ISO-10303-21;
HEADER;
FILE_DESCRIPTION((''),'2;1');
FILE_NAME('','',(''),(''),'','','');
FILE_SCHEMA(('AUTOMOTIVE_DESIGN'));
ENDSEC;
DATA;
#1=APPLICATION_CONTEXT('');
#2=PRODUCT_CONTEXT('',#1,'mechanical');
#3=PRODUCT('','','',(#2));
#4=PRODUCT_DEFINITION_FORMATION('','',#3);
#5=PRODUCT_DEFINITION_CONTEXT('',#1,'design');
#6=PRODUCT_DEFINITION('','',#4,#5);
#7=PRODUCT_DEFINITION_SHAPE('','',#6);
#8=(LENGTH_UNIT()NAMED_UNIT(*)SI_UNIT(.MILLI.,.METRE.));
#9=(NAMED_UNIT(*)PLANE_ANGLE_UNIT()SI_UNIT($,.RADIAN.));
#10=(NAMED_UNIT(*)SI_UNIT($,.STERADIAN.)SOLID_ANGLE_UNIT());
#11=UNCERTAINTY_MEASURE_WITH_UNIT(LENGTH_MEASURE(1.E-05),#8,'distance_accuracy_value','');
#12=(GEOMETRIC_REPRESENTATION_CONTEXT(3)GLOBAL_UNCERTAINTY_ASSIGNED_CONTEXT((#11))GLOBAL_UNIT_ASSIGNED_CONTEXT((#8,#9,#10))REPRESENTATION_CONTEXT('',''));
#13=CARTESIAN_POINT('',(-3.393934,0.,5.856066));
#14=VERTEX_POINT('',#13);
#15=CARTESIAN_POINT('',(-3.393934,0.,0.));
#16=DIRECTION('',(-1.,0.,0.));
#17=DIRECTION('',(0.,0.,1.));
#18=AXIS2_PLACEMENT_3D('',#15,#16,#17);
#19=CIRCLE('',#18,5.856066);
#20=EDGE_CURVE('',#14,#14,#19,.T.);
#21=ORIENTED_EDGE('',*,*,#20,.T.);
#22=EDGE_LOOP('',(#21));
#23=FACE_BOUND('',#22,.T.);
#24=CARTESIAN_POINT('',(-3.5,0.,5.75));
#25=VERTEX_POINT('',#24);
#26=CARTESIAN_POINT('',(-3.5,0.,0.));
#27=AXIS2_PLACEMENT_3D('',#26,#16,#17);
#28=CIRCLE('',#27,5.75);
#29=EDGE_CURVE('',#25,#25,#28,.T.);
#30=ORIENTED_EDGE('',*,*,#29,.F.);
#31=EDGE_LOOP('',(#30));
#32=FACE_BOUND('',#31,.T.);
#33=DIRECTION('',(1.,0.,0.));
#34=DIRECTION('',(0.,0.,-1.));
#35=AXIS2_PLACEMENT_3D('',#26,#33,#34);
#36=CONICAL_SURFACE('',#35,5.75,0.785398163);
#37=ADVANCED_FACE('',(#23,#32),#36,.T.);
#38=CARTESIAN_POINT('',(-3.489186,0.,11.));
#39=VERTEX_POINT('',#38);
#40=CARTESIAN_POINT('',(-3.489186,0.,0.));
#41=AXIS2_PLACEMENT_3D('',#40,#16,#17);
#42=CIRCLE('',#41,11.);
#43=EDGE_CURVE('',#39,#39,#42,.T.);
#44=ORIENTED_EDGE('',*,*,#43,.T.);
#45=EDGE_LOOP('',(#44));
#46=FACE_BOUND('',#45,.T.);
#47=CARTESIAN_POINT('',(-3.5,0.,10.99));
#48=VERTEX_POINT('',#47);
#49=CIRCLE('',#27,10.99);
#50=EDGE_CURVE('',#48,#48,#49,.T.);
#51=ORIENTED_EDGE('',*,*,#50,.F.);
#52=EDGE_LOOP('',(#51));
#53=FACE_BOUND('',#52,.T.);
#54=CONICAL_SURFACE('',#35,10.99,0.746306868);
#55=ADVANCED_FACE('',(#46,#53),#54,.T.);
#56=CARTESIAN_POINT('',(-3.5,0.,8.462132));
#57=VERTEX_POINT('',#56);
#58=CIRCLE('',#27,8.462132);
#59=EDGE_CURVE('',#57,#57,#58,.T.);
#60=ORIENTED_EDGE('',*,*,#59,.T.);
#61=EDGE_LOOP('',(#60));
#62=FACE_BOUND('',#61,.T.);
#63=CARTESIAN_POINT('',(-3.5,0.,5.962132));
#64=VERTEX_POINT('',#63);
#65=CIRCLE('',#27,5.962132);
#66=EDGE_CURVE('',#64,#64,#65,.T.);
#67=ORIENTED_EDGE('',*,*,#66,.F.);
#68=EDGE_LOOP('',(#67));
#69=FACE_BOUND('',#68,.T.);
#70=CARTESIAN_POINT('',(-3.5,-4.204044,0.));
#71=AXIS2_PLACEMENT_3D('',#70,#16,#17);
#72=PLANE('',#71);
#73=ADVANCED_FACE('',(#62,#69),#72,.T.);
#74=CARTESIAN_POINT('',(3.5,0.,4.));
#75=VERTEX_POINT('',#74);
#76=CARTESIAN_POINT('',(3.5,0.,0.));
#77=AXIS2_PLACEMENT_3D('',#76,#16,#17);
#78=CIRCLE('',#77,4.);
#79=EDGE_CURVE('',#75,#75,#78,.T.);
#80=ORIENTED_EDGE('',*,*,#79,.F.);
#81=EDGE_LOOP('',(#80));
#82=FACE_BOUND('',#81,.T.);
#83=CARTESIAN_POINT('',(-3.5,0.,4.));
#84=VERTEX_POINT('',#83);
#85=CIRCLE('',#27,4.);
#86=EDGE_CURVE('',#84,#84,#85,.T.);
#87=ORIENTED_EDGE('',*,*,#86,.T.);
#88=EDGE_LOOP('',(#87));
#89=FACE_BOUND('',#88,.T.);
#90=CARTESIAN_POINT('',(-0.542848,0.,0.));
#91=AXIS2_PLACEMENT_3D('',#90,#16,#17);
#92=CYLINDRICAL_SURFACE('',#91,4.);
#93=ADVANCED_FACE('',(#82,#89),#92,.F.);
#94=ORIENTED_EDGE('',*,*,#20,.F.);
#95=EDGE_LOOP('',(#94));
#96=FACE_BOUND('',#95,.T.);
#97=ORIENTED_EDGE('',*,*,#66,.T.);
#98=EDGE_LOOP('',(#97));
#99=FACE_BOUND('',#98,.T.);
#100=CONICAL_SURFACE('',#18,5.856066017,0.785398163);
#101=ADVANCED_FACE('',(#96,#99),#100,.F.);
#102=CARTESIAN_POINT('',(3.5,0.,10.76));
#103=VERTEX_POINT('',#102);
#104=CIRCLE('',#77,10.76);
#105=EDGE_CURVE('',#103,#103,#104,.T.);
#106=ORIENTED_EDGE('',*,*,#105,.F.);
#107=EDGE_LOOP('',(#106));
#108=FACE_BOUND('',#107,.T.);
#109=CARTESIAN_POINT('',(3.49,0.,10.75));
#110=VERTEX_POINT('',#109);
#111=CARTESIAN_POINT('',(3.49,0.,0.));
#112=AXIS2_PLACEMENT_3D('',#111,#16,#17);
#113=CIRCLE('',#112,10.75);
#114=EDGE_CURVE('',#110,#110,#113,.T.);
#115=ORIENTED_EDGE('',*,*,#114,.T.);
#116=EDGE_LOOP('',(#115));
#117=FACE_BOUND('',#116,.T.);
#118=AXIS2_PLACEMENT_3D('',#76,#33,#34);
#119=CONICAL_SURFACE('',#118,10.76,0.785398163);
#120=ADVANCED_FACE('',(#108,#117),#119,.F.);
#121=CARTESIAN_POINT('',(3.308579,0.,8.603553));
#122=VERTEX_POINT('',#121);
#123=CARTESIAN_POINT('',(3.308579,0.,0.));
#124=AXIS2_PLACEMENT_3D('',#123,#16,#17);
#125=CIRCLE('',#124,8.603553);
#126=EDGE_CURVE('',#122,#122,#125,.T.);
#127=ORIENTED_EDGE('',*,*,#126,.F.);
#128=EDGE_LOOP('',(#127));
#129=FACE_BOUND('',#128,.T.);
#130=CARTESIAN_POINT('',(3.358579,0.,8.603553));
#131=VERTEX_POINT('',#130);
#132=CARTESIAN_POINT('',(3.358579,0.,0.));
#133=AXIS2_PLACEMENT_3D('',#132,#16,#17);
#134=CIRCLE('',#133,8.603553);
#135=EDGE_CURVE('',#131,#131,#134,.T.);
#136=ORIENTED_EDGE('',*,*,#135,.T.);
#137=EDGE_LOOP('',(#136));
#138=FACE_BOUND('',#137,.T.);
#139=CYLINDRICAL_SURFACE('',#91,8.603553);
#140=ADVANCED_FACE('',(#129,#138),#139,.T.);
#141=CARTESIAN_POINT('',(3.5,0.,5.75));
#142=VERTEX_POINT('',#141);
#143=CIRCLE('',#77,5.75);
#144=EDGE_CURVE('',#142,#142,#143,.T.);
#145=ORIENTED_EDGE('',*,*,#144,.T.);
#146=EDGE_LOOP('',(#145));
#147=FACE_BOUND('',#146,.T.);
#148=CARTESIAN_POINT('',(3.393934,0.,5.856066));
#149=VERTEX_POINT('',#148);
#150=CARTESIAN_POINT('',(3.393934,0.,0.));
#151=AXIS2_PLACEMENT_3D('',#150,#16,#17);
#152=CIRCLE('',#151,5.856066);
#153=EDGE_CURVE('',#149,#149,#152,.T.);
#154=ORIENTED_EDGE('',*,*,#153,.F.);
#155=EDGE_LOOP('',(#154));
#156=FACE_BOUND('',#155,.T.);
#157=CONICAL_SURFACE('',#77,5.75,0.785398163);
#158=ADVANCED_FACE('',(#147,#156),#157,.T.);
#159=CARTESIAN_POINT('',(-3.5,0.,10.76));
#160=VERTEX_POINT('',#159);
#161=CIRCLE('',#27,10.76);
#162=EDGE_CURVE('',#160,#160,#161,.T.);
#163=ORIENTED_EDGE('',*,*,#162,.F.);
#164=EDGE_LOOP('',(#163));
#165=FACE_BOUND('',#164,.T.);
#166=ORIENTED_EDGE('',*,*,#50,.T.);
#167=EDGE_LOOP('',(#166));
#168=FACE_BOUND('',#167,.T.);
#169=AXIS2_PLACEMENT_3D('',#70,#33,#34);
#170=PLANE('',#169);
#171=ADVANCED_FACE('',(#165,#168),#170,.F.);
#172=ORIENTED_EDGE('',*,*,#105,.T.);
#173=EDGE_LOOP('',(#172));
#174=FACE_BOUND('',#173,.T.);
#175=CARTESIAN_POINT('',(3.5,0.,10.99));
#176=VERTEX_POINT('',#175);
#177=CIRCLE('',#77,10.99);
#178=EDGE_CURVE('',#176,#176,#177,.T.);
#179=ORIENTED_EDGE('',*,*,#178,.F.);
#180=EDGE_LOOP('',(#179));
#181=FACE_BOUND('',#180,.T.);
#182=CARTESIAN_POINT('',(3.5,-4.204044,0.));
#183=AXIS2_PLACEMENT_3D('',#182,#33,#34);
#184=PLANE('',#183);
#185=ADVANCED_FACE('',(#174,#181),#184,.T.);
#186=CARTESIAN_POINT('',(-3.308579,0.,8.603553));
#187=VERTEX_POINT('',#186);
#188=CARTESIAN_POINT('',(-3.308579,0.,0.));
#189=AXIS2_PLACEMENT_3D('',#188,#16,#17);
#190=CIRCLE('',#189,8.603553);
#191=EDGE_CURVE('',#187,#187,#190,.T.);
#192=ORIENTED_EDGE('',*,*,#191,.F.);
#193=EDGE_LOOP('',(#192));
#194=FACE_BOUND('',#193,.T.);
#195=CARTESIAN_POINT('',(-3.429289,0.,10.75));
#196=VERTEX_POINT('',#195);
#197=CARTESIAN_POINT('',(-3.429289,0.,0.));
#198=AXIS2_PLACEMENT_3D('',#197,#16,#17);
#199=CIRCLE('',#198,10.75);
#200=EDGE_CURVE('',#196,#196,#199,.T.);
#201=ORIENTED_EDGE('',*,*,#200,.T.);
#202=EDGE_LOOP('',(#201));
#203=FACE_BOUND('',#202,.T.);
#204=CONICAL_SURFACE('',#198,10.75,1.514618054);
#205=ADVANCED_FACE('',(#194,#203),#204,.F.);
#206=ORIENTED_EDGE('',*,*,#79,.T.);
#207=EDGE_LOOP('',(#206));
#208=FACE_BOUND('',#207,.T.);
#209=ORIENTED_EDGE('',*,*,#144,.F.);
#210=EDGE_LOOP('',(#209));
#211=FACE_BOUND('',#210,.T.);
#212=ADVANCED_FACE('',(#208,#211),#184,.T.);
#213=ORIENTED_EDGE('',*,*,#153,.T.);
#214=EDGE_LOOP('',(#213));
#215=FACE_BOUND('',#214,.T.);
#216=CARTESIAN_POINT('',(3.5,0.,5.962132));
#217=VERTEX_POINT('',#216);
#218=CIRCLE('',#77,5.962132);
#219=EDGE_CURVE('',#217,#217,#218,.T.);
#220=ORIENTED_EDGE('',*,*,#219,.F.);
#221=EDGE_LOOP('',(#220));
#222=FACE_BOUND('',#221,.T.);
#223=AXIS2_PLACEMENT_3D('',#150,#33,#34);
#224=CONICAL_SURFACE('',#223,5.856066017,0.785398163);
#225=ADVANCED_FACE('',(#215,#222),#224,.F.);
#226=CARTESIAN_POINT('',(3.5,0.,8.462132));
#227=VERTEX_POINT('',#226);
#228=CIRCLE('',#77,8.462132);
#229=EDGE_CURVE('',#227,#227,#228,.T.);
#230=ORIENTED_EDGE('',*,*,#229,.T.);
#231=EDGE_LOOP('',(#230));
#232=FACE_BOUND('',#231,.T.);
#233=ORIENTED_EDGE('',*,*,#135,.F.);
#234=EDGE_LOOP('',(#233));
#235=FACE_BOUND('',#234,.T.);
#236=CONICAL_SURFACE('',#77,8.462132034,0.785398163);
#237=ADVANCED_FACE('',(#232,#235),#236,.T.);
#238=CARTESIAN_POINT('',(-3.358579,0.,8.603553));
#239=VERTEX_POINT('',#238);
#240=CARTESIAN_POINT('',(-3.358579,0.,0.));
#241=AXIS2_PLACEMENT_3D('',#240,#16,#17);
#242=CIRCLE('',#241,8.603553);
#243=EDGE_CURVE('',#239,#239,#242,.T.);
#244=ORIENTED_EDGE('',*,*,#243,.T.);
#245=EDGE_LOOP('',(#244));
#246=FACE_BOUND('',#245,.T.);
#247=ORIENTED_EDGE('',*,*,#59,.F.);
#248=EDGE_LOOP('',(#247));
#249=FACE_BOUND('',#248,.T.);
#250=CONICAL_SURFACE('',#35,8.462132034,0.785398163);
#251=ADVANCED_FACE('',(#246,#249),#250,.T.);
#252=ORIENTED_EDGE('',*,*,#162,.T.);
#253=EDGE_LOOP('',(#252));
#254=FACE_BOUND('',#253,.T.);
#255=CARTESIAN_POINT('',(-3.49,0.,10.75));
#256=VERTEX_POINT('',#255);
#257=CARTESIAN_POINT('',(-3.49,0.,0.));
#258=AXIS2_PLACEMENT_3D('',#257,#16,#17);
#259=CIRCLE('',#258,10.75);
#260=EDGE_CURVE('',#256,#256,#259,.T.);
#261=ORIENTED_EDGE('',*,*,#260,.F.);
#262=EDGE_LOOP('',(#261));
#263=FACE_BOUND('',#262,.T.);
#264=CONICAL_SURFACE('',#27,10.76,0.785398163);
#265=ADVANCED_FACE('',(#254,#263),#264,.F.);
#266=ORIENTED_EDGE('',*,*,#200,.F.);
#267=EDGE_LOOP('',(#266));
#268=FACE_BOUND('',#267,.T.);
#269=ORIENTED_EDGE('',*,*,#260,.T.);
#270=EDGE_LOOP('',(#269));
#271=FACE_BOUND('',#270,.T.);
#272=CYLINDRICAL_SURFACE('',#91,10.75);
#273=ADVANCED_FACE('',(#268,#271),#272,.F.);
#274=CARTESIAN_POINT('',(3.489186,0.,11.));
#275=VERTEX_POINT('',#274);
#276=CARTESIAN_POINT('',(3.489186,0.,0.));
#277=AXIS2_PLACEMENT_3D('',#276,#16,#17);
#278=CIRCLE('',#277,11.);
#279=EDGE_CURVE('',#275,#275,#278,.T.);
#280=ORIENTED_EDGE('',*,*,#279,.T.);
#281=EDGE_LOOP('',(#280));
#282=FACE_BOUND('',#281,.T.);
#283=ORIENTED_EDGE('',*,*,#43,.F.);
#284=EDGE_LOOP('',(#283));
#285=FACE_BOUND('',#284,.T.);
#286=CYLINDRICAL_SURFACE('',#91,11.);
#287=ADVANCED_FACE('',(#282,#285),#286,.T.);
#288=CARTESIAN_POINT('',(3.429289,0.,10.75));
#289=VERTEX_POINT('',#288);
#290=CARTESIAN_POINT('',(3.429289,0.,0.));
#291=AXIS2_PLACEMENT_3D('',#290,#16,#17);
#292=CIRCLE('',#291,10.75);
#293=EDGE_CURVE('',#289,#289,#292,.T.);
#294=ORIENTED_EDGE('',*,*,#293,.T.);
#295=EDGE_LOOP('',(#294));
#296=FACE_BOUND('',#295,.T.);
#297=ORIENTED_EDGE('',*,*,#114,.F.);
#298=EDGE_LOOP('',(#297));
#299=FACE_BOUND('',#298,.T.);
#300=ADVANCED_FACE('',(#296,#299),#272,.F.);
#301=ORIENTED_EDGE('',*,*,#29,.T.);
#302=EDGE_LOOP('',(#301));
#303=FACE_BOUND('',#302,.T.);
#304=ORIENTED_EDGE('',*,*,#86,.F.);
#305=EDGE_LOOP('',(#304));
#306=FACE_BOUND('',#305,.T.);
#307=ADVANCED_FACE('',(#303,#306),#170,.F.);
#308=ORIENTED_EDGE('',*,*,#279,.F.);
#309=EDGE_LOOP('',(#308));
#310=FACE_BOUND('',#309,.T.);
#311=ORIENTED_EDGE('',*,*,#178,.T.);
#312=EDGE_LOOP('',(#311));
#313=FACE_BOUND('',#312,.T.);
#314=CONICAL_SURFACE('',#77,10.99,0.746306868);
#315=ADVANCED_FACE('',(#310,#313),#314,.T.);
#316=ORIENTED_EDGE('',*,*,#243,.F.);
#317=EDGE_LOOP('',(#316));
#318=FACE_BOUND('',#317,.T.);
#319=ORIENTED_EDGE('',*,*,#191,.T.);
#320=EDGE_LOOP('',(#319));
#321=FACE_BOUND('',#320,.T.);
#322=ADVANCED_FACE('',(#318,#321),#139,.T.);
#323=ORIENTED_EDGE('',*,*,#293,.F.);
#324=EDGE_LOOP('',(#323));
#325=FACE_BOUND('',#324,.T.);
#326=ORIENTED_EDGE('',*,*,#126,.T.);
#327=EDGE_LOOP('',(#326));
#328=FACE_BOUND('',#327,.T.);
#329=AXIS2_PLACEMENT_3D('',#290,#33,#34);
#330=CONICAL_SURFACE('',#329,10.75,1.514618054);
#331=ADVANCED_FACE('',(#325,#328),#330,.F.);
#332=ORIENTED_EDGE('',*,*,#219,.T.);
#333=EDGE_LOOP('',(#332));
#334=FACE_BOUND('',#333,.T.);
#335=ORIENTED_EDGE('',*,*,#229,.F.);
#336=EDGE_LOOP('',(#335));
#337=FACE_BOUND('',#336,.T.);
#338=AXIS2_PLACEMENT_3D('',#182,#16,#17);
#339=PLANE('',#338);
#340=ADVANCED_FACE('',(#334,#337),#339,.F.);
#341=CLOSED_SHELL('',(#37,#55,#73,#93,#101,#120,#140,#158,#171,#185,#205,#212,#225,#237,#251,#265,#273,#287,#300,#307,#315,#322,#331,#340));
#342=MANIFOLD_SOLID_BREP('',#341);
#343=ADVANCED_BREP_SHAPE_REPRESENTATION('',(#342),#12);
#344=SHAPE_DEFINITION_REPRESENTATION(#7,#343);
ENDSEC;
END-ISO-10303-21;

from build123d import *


with BuildPart() as part:
    # Sketch1 → Revolve1 (revolve)
    with BuildSketch(Plane.XY):
        Polygon((-3.5, 4), (3.5, 4), (3.5, 5.75), (3.393933983, 5.856066017), (3.5, 5.962132034), (3.5, 8.462132034), (3.358578644, 8.603553391), (3.308578644, 8.603553391), (3.429289322, 10.75), (3.49, 10.75), (3.5, 10.76), (3.5, 10.99), (3.489185937, 11), (-3.489185937, 11), (-3.5, 10.99), (-3.5, 10.76), (-3.49, 10.75), (-3.429289322, 10.75), (-3.308578644, 8.603553391), (-3.358578644, 8.603553391), (-3.5, 8.462132034), (-3.5, 5.962132034), (-3.393933983, 5.856066017), (-3.5, 5.75), align=None)
    revolve(axis=Axis((-0.54284752, 0, 0), (1, 0, 0)))


solid = part.part
